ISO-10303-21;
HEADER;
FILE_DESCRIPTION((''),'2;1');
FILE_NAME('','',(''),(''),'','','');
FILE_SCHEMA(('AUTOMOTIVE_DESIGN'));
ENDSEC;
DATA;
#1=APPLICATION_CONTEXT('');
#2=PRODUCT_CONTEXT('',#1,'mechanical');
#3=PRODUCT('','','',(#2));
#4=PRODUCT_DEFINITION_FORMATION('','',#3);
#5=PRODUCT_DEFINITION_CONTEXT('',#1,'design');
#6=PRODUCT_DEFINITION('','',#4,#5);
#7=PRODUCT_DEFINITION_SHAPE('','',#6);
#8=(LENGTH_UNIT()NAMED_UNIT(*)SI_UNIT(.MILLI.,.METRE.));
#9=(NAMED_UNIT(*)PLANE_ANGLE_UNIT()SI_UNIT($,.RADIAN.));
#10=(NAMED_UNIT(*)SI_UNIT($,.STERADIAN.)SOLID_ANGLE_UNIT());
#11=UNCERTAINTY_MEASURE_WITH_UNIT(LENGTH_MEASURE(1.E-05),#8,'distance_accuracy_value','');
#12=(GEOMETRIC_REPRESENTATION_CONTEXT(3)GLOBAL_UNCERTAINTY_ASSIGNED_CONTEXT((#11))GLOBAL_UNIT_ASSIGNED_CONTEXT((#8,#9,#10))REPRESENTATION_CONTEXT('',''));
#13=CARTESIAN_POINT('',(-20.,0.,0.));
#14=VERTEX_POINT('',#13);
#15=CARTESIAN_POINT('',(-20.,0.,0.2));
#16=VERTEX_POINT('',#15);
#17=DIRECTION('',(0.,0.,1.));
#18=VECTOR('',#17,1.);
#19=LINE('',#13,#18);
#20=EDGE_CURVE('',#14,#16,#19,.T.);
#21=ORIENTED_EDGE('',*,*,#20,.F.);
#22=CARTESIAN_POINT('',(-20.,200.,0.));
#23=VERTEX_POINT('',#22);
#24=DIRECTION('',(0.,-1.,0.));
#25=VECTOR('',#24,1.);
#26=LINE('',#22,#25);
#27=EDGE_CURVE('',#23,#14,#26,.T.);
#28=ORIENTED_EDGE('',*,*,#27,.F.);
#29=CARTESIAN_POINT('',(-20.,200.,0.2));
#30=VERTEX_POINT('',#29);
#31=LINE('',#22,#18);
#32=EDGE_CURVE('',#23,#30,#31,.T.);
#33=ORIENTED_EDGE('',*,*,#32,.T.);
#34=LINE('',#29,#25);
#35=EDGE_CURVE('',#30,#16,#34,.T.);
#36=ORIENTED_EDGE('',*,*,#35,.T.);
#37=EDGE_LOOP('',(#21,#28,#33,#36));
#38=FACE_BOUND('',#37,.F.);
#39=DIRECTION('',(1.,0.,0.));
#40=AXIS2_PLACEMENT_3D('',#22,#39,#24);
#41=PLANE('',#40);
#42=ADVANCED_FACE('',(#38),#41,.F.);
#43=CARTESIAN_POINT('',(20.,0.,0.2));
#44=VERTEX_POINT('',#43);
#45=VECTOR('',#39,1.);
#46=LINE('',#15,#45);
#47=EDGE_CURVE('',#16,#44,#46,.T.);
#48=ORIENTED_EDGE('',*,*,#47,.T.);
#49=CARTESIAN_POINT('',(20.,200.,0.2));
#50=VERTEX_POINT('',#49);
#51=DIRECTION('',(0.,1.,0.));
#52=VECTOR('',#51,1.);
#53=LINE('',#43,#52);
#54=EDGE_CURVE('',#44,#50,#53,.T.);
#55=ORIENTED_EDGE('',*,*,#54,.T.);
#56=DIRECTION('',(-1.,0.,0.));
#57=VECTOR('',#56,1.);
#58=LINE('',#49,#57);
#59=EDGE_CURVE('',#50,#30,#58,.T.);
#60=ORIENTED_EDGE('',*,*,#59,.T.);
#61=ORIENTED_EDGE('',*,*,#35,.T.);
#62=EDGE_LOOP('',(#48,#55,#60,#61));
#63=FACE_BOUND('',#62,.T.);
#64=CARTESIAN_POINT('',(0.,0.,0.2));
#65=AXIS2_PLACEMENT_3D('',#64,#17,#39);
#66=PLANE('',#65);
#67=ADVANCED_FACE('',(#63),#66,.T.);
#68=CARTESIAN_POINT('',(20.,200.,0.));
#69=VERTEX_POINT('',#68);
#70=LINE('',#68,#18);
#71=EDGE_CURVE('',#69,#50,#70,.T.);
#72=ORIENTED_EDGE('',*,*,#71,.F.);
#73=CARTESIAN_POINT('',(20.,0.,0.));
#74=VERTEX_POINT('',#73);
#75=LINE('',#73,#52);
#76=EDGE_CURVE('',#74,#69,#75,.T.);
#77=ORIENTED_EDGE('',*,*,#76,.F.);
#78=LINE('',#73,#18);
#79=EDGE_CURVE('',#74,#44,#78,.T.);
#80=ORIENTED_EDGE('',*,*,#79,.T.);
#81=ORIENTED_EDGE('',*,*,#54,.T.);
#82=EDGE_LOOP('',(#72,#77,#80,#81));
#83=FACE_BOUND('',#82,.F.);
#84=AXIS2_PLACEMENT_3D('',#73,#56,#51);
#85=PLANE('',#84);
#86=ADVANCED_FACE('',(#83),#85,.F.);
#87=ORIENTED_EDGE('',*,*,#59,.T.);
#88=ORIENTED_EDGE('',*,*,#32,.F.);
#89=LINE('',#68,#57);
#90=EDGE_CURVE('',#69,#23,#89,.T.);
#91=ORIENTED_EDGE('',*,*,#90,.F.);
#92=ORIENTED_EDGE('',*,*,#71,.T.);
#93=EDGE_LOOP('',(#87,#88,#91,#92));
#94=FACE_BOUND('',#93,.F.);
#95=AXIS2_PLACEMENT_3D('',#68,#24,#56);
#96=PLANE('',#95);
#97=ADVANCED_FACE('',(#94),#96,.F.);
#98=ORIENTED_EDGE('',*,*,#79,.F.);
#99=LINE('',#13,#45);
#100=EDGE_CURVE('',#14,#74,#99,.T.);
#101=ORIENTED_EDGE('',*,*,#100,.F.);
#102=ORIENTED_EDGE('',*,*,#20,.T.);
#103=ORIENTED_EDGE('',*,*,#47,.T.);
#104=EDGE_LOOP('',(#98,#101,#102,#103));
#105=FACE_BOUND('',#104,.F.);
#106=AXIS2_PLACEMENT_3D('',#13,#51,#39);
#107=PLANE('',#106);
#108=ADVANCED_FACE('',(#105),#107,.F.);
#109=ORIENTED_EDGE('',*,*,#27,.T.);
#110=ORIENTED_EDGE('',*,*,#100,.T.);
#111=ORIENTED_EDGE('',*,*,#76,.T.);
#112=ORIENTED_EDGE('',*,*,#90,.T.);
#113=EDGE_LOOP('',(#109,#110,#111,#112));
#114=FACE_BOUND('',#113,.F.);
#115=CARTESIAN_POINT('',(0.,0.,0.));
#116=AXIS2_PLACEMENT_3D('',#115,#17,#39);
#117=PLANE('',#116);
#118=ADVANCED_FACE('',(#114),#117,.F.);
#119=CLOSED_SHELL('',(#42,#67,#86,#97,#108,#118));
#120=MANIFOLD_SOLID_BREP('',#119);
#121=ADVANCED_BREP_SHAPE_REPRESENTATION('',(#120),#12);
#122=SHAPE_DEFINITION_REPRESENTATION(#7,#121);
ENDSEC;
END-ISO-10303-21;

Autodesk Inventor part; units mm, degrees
ref_plane "YZ Plane" through (0, 0, 0) normal (1, 0, 0) x (0, 1, 0)
ref_plane "XZ Plane" through (0, 0, 0) normal (0, 1, 0) x (-1, 0, 0)
ref_plane "XY Plane" through (0, 0, 0) normal (0, 0, 1) x (1, 0, 0)
sketch "Esquisse1" plane through (0, 0, 0) normal (0, 0, 1) x (1, 0, 0)
  line L0 (-20, 0) -> (20, 0)
  line L1 (20, 0) -> (20, 200)
  line L2 (20, 200) -> (-20, 200)
  line L3 (-20, 200) -> (-20, 0)
  point P0 (0, 0)
  point P1 (0, 0)
  dimension "d0" = 40
  dimension "d1" = 200
extrude "Extrusion1" add sketch "Esquisse1" along normal blind 0.2
properties part number "Bande" material "Papier"
